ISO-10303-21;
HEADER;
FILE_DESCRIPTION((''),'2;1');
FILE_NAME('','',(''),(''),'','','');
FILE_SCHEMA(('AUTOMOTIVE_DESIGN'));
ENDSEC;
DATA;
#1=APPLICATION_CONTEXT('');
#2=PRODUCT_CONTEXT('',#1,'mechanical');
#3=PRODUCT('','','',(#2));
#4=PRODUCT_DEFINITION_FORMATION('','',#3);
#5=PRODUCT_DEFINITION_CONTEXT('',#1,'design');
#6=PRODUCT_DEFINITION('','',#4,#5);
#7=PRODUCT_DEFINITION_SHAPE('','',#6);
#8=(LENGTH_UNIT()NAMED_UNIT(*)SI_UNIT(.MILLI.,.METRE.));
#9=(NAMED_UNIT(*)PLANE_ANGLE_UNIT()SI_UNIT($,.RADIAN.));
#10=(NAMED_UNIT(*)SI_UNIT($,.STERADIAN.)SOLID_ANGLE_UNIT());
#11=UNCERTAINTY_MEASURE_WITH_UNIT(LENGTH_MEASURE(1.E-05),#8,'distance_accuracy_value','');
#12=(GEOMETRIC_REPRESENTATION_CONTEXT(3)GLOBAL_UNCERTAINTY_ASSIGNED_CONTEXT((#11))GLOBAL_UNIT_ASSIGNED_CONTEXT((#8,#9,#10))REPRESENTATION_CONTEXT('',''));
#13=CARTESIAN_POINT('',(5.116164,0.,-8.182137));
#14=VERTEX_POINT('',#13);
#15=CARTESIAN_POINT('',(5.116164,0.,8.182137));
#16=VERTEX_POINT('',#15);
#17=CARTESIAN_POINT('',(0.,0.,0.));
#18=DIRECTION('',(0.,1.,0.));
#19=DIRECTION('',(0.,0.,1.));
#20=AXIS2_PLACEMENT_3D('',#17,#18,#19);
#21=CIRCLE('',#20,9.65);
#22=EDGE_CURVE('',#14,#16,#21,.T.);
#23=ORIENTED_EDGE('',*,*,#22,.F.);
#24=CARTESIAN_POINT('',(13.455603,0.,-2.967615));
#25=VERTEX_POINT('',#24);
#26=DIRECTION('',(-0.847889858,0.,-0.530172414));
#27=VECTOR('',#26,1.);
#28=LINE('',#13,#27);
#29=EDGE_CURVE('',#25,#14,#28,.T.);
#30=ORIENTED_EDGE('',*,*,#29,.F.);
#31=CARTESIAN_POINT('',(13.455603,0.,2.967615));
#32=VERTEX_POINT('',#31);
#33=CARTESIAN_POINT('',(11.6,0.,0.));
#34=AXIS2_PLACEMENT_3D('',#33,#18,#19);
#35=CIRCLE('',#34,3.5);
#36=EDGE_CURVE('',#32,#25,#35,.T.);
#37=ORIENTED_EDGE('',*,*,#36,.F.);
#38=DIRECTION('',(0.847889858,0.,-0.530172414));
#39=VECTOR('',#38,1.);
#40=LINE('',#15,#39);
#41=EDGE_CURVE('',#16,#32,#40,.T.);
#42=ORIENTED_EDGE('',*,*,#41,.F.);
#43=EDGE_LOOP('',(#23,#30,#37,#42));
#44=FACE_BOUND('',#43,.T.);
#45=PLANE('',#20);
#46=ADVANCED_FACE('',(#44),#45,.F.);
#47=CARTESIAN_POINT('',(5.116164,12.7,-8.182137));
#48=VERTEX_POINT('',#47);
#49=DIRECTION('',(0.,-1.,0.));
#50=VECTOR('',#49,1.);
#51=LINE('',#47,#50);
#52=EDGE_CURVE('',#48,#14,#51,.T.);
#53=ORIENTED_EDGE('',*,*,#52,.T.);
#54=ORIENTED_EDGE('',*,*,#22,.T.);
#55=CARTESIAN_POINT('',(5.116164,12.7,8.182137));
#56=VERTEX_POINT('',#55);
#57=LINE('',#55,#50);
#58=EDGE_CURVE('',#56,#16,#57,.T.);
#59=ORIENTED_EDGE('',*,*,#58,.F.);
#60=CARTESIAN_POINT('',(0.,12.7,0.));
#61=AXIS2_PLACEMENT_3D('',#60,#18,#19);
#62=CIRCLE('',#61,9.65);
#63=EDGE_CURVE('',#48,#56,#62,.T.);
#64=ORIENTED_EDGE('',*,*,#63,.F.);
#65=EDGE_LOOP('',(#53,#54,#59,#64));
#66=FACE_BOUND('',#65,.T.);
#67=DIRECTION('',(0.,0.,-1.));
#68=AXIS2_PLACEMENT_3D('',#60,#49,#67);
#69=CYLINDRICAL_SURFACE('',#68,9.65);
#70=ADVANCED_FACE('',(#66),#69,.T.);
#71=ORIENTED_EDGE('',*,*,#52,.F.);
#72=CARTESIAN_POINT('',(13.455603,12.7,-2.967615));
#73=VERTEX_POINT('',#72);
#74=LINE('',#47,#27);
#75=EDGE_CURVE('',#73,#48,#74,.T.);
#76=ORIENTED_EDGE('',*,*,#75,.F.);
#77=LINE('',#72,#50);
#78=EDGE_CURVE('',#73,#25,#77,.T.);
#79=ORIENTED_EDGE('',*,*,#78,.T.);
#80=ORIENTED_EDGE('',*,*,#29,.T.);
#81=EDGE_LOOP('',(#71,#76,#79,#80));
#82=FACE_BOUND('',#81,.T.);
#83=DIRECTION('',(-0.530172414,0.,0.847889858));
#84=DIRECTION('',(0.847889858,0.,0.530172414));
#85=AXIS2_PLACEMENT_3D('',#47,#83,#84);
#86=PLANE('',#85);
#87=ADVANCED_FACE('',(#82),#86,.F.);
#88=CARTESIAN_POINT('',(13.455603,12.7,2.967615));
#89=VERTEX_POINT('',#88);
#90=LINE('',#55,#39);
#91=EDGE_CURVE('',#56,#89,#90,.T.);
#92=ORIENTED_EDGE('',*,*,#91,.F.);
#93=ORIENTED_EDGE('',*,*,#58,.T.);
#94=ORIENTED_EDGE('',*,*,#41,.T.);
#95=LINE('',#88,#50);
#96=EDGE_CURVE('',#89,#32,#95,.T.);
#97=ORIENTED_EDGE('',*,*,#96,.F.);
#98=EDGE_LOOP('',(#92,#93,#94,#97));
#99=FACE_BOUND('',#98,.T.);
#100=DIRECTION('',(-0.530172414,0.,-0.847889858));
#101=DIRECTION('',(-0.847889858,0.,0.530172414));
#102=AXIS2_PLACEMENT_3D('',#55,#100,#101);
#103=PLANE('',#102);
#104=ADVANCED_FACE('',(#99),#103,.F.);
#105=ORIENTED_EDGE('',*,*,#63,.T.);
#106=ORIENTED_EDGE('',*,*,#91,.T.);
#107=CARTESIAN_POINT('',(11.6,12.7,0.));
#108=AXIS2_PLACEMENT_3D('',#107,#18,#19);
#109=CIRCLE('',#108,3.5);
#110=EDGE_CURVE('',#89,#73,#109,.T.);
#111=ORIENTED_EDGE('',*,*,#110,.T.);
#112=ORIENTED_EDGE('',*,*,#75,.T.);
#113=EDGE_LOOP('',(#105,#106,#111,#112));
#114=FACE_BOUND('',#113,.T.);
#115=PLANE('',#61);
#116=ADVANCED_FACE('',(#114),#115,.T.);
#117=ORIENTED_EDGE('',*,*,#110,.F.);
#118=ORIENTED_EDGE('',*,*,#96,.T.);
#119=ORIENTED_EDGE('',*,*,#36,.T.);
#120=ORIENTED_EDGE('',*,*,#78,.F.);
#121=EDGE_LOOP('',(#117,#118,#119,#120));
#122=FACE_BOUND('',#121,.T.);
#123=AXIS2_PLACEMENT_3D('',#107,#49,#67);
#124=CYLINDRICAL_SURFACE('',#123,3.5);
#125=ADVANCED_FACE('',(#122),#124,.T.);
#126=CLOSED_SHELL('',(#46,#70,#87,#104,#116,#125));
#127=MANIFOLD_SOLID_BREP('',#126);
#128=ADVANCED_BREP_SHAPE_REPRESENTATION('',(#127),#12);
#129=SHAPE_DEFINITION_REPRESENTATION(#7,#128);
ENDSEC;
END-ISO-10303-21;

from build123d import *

# Parameters (mm, degrees)
BOSS_EXTRUDE1_DEPTH = 12.7


with BuildPart() as part:
    # Sketch1 → Boss-Extrude1 (new body)
    with BuildSketch(Plane(origin=(0, 0, 0), x_dir=(1, 0, 0), z_dir=(0, 1, 0))):
        with BuildLine():
            Line((5.116163793, 8.182137132), (13.455603448, 2.967614504))
            ThreePointArc((13.455603448, 2.967614504), (15.1, 0), (13.455603448, -2.967614504))
            Line((13.455603448, -2.967614504), (5.116163793, -8.182137132))
            ThreePointArc((5.116163793, -8.182137132), (-9.65, 0), (5.116163793, 8.182137132))
        make_face()
    extrude(amount=BOSS_EXTRUDE1_DEPTH)


solid = part.part
